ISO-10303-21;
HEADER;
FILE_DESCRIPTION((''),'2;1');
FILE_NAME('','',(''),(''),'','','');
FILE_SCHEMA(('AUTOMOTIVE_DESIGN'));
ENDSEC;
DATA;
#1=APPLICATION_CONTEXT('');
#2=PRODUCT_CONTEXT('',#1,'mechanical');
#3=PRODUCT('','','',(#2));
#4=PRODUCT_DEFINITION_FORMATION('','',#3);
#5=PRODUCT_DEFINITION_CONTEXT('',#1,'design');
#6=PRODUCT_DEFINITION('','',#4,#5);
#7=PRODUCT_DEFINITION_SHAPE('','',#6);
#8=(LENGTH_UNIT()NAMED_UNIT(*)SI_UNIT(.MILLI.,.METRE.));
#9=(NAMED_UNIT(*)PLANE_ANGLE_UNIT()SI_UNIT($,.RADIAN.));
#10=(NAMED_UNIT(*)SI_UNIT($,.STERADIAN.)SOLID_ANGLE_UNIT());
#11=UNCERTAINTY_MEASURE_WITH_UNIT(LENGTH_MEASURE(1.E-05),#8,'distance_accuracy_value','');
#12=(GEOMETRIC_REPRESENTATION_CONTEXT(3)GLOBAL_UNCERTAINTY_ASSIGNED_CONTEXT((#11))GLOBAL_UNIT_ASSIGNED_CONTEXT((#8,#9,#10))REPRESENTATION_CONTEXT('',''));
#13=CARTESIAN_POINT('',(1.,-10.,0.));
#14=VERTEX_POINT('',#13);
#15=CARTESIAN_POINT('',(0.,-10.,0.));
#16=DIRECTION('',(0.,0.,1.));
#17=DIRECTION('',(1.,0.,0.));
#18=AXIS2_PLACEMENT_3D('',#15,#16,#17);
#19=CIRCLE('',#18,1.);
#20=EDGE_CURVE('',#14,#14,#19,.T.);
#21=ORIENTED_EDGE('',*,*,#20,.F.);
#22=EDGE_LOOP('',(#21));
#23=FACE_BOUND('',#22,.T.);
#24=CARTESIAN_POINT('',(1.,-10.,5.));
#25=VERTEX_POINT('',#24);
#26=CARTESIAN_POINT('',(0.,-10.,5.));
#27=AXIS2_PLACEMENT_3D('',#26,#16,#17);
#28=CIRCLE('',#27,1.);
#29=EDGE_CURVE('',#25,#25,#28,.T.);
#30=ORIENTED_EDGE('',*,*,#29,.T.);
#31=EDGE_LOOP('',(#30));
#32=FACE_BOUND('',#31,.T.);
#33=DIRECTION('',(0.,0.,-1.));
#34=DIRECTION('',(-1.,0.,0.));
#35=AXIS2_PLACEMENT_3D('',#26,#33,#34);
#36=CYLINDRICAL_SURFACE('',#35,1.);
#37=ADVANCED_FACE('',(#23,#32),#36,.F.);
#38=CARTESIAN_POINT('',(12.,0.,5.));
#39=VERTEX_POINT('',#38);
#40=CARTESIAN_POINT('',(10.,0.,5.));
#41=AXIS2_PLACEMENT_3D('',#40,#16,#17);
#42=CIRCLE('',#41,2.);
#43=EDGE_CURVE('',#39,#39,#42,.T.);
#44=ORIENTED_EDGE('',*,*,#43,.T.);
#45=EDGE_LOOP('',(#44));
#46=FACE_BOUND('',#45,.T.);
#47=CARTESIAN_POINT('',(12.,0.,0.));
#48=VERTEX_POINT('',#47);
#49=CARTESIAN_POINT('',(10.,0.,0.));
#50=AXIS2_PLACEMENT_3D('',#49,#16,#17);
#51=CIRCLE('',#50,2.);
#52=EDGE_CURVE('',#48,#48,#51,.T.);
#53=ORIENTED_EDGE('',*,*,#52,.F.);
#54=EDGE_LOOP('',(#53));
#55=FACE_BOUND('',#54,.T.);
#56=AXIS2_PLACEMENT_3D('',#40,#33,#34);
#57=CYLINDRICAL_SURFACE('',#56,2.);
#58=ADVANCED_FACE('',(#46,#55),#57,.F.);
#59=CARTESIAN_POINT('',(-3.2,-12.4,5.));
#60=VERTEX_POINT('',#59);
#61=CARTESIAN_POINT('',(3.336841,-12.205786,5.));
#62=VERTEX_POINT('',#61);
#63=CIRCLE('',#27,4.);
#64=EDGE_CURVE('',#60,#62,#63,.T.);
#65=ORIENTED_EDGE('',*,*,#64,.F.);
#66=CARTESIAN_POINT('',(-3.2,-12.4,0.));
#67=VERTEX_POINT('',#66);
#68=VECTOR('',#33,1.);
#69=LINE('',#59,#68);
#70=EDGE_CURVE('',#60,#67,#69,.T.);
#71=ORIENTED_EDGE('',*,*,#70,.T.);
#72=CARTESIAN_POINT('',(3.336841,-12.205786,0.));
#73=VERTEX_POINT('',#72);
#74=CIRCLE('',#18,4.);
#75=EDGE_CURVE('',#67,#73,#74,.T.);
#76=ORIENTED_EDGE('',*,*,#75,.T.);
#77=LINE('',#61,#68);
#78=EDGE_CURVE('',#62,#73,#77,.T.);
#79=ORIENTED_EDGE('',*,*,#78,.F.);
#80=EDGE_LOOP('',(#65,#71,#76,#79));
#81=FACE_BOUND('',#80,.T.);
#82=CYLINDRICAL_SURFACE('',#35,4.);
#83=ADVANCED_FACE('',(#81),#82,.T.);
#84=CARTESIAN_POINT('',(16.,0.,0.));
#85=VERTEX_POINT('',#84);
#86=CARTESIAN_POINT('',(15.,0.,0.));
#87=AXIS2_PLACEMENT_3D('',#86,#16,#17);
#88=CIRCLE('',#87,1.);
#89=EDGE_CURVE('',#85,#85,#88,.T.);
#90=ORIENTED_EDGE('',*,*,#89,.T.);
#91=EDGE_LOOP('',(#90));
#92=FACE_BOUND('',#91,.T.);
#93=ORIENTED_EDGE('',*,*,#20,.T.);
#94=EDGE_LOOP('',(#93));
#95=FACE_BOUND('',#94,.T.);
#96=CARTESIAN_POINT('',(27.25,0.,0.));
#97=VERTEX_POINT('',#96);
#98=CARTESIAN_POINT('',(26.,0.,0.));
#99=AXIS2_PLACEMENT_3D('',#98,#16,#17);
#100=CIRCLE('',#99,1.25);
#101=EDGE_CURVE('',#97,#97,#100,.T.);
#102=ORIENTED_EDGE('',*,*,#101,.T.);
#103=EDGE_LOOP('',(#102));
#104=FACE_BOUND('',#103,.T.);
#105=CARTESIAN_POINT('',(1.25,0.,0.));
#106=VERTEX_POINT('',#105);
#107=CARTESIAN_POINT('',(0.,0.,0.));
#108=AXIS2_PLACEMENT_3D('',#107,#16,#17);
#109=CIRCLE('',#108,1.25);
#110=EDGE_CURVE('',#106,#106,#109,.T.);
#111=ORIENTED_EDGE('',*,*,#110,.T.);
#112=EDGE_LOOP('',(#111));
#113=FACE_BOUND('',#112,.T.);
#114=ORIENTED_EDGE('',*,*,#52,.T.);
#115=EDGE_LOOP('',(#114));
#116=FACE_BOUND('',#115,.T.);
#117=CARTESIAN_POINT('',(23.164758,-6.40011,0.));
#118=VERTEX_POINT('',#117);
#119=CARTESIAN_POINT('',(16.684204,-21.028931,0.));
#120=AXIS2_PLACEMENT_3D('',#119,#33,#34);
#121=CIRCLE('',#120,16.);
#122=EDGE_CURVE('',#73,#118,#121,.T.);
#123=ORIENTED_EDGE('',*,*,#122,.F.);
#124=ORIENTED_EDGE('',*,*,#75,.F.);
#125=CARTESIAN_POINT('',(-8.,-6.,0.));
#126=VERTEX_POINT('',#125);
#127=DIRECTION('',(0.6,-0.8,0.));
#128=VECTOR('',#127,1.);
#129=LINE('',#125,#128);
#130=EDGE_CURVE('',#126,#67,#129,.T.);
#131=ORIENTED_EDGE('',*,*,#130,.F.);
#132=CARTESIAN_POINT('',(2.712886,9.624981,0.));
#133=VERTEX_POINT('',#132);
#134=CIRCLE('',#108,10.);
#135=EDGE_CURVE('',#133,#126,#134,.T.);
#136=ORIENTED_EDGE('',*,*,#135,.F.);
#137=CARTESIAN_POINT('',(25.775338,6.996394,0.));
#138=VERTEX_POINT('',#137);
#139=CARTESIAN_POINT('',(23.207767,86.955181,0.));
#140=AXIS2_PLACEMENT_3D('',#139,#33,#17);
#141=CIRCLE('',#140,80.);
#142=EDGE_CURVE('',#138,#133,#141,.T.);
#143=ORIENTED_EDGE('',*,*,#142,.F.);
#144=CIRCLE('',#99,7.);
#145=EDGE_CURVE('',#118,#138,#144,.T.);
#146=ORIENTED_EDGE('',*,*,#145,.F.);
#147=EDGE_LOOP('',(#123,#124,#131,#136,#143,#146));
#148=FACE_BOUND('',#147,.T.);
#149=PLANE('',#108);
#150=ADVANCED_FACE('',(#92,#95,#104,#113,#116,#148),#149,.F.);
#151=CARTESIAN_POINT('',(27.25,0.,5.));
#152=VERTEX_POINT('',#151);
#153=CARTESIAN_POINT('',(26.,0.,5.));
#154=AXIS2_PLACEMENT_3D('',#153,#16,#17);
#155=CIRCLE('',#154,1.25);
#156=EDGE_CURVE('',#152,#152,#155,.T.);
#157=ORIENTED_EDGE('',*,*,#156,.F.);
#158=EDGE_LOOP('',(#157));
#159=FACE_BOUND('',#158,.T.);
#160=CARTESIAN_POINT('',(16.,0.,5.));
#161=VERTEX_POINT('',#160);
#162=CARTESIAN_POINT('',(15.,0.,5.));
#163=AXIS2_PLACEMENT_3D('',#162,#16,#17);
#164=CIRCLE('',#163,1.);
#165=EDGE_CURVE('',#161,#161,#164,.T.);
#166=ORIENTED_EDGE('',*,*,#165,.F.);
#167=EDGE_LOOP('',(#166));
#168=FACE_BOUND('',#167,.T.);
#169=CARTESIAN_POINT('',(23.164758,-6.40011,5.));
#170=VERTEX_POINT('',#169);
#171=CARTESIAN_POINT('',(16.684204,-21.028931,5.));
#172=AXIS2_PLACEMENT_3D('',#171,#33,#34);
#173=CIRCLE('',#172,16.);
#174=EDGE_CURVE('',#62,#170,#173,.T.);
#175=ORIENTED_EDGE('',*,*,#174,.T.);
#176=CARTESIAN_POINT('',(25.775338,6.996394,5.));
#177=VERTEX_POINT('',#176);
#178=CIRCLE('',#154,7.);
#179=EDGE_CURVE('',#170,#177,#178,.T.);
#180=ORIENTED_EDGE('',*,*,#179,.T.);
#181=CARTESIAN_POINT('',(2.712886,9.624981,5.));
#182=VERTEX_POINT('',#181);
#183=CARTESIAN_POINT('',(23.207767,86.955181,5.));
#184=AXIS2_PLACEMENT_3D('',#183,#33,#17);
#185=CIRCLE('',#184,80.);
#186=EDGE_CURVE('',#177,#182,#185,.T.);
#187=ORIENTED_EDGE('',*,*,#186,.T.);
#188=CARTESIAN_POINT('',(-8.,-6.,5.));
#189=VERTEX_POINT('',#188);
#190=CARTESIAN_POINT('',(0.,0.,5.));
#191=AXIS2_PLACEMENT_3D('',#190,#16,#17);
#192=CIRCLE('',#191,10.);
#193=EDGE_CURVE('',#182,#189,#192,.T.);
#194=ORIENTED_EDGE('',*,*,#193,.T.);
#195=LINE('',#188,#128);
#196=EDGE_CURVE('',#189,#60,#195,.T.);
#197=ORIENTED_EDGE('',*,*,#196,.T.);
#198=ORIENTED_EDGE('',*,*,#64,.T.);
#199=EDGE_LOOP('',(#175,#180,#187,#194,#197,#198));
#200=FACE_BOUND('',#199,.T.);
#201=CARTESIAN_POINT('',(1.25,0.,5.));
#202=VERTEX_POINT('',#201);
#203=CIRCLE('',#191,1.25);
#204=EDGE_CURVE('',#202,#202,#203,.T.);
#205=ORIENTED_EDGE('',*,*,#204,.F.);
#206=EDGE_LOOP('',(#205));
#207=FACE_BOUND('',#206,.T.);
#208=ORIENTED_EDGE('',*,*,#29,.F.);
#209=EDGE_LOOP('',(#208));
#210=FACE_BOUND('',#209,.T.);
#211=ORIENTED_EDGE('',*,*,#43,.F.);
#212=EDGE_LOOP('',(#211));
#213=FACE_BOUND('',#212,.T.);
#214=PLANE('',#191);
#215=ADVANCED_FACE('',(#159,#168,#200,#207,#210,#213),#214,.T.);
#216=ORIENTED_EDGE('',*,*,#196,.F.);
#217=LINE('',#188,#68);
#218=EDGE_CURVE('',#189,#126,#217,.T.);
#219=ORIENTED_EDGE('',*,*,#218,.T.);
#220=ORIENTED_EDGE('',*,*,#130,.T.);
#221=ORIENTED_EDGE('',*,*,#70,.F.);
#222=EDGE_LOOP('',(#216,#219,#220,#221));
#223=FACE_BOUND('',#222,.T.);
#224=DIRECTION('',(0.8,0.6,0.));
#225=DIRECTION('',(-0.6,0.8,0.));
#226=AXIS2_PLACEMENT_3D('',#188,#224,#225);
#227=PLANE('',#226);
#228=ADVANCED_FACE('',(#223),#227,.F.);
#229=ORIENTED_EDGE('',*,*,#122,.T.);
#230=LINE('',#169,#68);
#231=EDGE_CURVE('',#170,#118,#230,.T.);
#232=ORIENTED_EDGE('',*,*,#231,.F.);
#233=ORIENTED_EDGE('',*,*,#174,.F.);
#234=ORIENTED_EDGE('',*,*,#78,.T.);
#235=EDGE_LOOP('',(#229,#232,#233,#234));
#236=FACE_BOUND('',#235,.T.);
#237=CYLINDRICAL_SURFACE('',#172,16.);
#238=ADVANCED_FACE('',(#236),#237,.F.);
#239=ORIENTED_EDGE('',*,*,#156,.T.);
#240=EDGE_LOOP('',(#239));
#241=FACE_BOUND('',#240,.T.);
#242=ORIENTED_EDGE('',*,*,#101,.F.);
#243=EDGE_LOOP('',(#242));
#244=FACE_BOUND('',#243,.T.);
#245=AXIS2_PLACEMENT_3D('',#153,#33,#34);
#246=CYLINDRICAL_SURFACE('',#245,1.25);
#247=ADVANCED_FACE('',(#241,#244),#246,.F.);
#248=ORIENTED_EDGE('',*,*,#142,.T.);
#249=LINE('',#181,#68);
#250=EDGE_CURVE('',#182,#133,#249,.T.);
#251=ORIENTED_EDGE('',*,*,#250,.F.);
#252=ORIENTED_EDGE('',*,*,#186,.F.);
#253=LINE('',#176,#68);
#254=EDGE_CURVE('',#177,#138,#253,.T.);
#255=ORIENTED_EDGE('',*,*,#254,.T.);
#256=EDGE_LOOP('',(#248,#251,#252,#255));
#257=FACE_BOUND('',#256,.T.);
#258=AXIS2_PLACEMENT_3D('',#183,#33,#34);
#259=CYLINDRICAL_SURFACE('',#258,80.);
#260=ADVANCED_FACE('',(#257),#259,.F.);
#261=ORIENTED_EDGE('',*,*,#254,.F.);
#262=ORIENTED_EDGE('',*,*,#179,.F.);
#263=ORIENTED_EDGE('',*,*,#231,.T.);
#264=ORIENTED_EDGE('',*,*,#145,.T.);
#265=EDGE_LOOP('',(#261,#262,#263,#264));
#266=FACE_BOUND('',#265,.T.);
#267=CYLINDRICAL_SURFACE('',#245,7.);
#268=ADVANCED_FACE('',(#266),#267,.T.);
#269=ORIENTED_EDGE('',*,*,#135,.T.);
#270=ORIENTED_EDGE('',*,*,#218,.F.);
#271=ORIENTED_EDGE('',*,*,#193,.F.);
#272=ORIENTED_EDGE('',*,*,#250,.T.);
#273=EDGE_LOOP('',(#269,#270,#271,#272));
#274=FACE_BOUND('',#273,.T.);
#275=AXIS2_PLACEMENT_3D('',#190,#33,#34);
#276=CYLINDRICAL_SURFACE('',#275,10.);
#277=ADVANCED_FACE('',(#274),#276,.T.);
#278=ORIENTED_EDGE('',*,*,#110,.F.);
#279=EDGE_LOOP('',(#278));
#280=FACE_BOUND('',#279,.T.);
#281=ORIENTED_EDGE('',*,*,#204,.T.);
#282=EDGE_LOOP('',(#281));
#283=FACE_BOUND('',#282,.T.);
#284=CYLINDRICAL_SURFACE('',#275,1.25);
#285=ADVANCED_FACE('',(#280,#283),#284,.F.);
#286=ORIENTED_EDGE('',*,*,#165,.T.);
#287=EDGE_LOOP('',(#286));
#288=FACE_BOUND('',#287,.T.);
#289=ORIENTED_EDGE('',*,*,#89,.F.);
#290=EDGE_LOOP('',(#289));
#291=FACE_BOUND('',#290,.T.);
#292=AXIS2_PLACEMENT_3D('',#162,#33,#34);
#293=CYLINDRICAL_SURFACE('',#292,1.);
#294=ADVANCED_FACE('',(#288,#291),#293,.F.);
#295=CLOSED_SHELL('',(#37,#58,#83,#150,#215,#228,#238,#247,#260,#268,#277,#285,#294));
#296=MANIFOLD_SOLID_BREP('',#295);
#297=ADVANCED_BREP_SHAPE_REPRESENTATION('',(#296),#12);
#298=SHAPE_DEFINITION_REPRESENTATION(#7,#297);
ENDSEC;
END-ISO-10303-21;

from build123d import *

# Parameters (mm, degrees)
SKETCH1_R           = 1.25
SKETCH1_R_2         = 2
SKETCH1_R_3         = 1
BOSS_EXTRUDE1_DEPTH = 5


with BuildPart() as part:
    # Sketch1 → Boss-Extrude1 (new body)
    with BuildSketch(Plane.XY):
        with BuildLine():
            Line((-8, -6), (-3.2, -12.4))
            ThreePointArc((-3.2, -12.4), (0.118790152, -13.998235723), (3.336840869, -12.205786258))
            ThreePointArc((3.336840869, -12.205786258), (12.188123784, -5.673630591), (23.164757844, -6.400109524))
            ThreePointArc((23.164757844, -6.400109524), (32.870759027, -1.338906415), (25.775337581, 6.996393842))
            ThreePointArc((25.775337581, 6.996393842), (14.14827012, 7.469801361), (2.712885779, 9.624980559))
            ThreePointArc((2.712885779, 9.624980559), (-8.247629875, 5.654785711), (-8, -6))
        make_face()
        Circle(SKETCH1_R, mode=Mode.SUBTRACT)
        with Locations((26, 0)):
            Circle(SKETCH1_R, mode=Mode.SUBTRACT)
        with Locations((10, 0)):
            Circle(SKETCH1_R_2, mode=Mode.SUBTRACT)
        with Locations((15, 0)):
            Circle(SKETCH1_R_3, mode=Mode.SUBTRACT)
        with Locations((0, -10)):
            Circle(SKETCH1_R_3, mode=Mode.SUBTRACT)
    extrude(amount=BOSS_EXTRUDE1_DEPTH)


solid = part.part
